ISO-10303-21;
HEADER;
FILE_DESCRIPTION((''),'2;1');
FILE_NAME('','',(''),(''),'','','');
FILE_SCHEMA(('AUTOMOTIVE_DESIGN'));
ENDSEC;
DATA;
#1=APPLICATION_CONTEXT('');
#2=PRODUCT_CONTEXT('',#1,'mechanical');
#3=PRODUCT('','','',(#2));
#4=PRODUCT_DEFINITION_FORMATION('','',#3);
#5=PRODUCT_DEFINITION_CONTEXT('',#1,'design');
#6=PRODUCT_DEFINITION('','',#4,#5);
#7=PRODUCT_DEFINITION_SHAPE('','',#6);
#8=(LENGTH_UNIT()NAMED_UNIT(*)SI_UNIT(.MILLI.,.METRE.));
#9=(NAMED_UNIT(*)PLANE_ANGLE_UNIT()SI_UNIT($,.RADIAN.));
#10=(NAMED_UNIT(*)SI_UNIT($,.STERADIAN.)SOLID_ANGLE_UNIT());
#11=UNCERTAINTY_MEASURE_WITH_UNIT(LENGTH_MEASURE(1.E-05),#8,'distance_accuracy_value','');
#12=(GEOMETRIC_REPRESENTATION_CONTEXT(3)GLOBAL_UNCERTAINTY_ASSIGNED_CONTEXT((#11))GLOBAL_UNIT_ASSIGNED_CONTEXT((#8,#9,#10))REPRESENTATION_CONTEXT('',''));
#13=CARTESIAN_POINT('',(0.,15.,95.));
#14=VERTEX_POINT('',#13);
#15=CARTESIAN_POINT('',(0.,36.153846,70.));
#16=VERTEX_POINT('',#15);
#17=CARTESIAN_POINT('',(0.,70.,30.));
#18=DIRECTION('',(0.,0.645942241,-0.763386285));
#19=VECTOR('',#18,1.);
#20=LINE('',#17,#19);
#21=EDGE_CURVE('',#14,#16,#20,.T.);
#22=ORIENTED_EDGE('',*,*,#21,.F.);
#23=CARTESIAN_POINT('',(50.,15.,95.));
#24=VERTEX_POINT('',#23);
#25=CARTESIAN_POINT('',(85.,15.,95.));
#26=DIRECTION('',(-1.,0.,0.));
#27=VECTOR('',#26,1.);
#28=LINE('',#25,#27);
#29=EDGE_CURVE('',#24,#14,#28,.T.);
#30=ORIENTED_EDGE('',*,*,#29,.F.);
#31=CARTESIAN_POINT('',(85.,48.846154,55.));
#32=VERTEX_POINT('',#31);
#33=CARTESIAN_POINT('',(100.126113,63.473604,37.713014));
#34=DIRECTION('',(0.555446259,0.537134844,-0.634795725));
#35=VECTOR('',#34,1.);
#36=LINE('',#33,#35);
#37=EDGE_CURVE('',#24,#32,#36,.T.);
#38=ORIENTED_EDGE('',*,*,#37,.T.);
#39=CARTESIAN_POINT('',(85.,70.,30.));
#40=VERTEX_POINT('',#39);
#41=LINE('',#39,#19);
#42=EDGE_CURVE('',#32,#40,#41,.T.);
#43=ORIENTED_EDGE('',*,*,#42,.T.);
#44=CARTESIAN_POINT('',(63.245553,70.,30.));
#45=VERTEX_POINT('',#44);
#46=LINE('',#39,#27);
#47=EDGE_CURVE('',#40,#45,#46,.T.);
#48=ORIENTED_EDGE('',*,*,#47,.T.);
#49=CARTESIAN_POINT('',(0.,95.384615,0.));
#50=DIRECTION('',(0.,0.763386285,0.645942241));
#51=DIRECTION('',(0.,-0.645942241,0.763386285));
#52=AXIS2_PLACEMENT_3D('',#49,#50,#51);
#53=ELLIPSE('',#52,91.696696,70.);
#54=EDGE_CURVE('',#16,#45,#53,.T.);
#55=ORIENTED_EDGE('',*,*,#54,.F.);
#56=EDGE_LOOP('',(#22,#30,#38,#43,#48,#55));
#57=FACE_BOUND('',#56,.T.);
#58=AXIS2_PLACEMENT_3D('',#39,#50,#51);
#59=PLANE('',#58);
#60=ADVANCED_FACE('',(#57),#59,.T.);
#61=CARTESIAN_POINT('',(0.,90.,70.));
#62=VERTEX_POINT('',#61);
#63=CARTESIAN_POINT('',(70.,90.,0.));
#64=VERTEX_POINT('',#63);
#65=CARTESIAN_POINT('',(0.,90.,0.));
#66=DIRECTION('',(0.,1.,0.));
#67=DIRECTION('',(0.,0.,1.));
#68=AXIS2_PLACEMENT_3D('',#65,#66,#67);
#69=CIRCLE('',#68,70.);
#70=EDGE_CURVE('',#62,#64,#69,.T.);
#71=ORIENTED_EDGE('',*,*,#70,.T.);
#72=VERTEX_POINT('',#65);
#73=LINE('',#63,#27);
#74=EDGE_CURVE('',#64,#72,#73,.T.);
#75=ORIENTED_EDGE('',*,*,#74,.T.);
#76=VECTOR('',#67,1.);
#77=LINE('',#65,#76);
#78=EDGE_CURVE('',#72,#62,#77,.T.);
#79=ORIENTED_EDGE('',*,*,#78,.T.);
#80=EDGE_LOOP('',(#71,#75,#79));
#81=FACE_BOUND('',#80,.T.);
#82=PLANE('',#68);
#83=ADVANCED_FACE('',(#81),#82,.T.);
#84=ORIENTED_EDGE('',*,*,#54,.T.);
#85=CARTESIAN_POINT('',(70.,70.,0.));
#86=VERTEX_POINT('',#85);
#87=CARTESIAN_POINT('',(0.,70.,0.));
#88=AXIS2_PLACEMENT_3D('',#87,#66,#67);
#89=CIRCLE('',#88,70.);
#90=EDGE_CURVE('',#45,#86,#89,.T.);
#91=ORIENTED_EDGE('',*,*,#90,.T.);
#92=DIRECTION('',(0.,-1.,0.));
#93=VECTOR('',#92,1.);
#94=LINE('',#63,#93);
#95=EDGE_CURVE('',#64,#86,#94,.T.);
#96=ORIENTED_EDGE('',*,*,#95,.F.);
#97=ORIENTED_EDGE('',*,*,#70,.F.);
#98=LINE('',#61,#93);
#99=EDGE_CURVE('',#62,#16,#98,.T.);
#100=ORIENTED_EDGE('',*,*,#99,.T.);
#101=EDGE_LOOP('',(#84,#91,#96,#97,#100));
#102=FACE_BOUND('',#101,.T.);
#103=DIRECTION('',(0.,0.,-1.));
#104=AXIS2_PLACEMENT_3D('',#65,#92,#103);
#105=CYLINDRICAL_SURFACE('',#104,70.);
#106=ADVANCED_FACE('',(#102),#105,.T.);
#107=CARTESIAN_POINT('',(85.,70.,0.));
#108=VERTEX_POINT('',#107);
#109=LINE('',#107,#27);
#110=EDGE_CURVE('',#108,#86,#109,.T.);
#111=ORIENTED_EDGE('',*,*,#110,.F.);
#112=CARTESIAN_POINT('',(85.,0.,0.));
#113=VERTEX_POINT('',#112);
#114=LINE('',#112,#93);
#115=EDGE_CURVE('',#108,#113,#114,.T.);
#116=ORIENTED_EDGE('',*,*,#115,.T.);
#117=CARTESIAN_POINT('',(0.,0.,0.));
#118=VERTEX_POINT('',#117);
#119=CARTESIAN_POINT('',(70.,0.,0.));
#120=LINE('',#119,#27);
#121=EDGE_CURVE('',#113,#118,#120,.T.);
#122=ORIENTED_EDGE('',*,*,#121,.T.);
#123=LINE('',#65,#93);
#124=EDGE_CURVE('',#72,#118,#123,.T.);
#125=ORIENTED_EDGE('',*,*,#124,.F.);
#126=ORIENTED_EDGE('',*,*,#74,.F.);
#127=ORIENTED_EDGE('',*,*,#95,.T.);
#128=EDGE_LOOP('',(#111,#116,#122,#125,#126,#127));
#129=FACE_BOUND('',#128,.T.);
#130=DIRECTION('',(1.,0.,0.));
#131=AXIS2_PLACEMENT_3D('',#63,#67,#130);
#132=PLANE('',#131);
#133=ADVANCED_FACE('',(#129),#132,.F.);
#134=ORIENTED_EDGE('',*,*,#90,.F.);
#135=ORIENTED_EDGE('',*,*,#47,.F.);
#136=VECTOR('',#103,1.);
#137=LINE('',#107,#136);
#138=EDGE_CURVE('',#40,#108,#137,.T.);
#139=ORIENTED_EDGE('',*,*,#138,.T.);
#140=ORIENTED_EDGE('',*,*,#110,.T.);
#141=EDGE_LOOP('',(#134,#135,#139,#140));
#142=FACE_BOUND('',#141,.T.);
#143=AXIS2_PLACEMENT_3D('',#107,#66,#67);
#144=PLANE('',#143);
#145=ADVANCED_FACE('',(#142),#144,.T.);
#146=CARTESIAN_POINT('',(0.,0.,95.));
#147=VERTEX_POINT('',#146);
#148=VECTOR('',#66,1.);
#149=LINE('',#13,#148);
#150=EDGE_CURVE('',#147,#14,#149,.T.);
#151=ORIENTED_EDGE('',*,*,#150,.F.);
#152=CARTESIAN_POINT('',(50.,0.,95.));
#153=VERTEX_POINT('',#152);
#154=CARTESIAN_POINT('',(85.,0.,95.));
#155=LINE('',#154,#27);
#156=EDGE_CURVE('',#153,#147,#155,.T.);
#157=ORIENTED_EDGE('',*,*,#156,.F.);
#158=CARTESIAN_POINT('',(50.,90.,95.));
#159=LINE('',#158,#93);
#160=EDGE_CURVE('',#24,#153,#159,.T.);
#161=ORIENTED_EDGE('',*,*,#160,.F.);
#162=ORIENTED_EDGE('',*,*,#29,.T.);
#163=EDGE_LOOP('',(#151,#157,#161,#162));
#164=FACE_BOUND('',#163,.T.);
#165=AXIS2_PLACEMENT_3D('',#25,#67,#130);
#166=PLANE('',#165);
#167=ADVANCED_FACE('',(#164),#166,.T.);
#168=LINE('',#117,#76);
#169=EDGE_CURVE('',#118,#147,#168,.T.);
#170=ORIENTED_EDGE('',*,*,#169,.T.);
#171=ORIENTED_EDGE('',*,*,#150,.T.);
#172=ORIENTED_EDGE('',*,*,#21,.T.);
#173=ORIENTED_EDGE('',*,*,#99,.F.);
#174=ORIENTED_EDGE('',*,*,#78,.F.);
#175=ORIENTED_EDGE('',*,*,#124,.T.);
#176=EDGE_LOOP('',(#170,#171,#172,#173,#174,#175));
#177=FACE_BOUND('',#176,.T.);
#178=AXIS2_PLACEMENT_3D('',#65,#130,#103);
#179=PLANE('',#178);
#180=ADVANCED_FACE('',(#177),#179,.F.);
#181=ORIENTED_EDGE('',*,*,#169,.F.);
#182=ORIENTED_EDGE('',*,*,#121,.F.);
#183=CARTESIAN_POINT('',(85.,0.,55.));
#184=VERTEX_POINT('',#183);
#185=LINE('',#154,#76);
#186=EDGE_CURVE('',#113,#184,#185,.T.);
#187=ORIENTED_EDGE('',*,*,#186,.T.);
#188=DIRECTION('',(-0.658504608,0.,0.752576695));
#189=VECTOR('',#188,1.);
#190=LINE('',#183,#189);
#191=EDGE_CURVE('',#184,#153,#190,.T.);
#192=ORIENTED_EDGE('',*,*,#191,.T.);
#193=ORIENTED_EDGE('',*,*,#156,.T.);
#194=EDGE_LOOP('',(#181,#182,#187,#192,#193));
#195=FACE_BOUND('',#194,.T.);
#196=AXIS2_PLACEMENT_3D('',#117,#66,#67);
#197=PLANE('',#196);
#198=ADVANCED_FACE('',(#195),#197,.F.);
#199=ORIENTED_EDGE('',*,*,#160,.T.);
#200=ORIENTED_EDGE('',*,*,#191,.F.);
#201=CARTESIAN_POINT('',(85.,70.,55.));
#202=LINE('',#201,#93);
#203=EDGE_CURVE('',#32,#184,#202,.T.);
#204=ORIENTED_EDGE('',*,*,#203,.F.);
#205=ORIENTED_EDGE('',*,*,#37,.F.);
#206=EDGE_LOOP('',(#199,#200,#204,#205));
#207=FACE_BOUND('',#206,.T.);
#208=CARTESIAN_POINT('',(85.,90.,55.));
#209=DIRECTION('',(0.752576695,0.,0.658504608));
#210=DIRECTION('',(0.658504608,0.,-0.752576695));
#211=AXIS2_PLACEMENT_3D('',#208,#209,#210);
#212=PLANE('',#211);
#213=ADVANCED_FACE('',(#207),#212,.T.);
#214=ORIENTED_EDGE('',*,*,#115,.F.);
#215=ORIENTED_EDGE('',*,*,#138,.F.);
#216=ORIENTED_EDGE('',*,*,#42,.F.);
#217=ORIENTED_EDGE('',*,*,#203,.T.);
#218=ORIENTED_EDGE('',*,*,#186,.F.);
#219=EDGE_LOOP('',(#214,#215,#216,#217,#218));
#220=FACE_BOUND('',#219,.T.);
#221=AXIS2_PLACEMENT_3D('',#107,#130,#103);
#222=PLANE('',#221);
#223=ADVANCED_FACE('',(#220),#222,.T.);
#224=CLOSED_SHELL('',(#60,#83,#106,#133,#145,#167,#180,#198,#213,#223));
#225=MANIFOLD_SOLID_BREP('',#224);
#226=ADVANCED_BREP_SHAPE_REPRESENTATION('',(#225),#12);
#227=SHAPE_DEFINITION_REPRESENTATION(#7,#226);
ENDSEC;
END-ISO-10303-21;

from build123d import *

# Parameters (mm, degrees)
EXTRUDE1_DEPTH = 90
EXTRUDE2_DEPTH = 85
EXTRUDE3_DEPTH = 91


with BuildPart() as part:
    # Sketch1 → Extrude1 (new body)
    with BuildSketch(Plane(origin=(0, 0, 0), x_dir=(1, 0, 0), z_dir=(0, 1, 0))):
        with BuildLine():
            Line((70, 0), (0, 0))
            Line((0, 0), (0, -70))
            ThreePointArc((0, -70), (49.497474683, -49.497474683), (70, 0))
        make_face()
    extrude(amount=EXTRUDE1_DEPTH)

    # Sketch2 → Extrude2 (add)
    with BuildSketch(Plane.ZY):
        Polygon((0, 70), (30, 70), (95, 15), (95, 0), (0, 0), align=None)
    extrude(amount=-EXTRUDE2_DEPTH)

    # Sketch3 → Extrude3 (cut, through all)
    with BuildSketch(Plane(origin=(0, 0, 0), x_dir=(1, 0, 0), z_dir=(0, 1, 0))):
        Polygon((85, -55), (50, -95), (85, -95), align=None)
    extrude(amount=EXTRUDE3_DEPTH, mode=Mode.SUBTRACT)


solid = part.part
